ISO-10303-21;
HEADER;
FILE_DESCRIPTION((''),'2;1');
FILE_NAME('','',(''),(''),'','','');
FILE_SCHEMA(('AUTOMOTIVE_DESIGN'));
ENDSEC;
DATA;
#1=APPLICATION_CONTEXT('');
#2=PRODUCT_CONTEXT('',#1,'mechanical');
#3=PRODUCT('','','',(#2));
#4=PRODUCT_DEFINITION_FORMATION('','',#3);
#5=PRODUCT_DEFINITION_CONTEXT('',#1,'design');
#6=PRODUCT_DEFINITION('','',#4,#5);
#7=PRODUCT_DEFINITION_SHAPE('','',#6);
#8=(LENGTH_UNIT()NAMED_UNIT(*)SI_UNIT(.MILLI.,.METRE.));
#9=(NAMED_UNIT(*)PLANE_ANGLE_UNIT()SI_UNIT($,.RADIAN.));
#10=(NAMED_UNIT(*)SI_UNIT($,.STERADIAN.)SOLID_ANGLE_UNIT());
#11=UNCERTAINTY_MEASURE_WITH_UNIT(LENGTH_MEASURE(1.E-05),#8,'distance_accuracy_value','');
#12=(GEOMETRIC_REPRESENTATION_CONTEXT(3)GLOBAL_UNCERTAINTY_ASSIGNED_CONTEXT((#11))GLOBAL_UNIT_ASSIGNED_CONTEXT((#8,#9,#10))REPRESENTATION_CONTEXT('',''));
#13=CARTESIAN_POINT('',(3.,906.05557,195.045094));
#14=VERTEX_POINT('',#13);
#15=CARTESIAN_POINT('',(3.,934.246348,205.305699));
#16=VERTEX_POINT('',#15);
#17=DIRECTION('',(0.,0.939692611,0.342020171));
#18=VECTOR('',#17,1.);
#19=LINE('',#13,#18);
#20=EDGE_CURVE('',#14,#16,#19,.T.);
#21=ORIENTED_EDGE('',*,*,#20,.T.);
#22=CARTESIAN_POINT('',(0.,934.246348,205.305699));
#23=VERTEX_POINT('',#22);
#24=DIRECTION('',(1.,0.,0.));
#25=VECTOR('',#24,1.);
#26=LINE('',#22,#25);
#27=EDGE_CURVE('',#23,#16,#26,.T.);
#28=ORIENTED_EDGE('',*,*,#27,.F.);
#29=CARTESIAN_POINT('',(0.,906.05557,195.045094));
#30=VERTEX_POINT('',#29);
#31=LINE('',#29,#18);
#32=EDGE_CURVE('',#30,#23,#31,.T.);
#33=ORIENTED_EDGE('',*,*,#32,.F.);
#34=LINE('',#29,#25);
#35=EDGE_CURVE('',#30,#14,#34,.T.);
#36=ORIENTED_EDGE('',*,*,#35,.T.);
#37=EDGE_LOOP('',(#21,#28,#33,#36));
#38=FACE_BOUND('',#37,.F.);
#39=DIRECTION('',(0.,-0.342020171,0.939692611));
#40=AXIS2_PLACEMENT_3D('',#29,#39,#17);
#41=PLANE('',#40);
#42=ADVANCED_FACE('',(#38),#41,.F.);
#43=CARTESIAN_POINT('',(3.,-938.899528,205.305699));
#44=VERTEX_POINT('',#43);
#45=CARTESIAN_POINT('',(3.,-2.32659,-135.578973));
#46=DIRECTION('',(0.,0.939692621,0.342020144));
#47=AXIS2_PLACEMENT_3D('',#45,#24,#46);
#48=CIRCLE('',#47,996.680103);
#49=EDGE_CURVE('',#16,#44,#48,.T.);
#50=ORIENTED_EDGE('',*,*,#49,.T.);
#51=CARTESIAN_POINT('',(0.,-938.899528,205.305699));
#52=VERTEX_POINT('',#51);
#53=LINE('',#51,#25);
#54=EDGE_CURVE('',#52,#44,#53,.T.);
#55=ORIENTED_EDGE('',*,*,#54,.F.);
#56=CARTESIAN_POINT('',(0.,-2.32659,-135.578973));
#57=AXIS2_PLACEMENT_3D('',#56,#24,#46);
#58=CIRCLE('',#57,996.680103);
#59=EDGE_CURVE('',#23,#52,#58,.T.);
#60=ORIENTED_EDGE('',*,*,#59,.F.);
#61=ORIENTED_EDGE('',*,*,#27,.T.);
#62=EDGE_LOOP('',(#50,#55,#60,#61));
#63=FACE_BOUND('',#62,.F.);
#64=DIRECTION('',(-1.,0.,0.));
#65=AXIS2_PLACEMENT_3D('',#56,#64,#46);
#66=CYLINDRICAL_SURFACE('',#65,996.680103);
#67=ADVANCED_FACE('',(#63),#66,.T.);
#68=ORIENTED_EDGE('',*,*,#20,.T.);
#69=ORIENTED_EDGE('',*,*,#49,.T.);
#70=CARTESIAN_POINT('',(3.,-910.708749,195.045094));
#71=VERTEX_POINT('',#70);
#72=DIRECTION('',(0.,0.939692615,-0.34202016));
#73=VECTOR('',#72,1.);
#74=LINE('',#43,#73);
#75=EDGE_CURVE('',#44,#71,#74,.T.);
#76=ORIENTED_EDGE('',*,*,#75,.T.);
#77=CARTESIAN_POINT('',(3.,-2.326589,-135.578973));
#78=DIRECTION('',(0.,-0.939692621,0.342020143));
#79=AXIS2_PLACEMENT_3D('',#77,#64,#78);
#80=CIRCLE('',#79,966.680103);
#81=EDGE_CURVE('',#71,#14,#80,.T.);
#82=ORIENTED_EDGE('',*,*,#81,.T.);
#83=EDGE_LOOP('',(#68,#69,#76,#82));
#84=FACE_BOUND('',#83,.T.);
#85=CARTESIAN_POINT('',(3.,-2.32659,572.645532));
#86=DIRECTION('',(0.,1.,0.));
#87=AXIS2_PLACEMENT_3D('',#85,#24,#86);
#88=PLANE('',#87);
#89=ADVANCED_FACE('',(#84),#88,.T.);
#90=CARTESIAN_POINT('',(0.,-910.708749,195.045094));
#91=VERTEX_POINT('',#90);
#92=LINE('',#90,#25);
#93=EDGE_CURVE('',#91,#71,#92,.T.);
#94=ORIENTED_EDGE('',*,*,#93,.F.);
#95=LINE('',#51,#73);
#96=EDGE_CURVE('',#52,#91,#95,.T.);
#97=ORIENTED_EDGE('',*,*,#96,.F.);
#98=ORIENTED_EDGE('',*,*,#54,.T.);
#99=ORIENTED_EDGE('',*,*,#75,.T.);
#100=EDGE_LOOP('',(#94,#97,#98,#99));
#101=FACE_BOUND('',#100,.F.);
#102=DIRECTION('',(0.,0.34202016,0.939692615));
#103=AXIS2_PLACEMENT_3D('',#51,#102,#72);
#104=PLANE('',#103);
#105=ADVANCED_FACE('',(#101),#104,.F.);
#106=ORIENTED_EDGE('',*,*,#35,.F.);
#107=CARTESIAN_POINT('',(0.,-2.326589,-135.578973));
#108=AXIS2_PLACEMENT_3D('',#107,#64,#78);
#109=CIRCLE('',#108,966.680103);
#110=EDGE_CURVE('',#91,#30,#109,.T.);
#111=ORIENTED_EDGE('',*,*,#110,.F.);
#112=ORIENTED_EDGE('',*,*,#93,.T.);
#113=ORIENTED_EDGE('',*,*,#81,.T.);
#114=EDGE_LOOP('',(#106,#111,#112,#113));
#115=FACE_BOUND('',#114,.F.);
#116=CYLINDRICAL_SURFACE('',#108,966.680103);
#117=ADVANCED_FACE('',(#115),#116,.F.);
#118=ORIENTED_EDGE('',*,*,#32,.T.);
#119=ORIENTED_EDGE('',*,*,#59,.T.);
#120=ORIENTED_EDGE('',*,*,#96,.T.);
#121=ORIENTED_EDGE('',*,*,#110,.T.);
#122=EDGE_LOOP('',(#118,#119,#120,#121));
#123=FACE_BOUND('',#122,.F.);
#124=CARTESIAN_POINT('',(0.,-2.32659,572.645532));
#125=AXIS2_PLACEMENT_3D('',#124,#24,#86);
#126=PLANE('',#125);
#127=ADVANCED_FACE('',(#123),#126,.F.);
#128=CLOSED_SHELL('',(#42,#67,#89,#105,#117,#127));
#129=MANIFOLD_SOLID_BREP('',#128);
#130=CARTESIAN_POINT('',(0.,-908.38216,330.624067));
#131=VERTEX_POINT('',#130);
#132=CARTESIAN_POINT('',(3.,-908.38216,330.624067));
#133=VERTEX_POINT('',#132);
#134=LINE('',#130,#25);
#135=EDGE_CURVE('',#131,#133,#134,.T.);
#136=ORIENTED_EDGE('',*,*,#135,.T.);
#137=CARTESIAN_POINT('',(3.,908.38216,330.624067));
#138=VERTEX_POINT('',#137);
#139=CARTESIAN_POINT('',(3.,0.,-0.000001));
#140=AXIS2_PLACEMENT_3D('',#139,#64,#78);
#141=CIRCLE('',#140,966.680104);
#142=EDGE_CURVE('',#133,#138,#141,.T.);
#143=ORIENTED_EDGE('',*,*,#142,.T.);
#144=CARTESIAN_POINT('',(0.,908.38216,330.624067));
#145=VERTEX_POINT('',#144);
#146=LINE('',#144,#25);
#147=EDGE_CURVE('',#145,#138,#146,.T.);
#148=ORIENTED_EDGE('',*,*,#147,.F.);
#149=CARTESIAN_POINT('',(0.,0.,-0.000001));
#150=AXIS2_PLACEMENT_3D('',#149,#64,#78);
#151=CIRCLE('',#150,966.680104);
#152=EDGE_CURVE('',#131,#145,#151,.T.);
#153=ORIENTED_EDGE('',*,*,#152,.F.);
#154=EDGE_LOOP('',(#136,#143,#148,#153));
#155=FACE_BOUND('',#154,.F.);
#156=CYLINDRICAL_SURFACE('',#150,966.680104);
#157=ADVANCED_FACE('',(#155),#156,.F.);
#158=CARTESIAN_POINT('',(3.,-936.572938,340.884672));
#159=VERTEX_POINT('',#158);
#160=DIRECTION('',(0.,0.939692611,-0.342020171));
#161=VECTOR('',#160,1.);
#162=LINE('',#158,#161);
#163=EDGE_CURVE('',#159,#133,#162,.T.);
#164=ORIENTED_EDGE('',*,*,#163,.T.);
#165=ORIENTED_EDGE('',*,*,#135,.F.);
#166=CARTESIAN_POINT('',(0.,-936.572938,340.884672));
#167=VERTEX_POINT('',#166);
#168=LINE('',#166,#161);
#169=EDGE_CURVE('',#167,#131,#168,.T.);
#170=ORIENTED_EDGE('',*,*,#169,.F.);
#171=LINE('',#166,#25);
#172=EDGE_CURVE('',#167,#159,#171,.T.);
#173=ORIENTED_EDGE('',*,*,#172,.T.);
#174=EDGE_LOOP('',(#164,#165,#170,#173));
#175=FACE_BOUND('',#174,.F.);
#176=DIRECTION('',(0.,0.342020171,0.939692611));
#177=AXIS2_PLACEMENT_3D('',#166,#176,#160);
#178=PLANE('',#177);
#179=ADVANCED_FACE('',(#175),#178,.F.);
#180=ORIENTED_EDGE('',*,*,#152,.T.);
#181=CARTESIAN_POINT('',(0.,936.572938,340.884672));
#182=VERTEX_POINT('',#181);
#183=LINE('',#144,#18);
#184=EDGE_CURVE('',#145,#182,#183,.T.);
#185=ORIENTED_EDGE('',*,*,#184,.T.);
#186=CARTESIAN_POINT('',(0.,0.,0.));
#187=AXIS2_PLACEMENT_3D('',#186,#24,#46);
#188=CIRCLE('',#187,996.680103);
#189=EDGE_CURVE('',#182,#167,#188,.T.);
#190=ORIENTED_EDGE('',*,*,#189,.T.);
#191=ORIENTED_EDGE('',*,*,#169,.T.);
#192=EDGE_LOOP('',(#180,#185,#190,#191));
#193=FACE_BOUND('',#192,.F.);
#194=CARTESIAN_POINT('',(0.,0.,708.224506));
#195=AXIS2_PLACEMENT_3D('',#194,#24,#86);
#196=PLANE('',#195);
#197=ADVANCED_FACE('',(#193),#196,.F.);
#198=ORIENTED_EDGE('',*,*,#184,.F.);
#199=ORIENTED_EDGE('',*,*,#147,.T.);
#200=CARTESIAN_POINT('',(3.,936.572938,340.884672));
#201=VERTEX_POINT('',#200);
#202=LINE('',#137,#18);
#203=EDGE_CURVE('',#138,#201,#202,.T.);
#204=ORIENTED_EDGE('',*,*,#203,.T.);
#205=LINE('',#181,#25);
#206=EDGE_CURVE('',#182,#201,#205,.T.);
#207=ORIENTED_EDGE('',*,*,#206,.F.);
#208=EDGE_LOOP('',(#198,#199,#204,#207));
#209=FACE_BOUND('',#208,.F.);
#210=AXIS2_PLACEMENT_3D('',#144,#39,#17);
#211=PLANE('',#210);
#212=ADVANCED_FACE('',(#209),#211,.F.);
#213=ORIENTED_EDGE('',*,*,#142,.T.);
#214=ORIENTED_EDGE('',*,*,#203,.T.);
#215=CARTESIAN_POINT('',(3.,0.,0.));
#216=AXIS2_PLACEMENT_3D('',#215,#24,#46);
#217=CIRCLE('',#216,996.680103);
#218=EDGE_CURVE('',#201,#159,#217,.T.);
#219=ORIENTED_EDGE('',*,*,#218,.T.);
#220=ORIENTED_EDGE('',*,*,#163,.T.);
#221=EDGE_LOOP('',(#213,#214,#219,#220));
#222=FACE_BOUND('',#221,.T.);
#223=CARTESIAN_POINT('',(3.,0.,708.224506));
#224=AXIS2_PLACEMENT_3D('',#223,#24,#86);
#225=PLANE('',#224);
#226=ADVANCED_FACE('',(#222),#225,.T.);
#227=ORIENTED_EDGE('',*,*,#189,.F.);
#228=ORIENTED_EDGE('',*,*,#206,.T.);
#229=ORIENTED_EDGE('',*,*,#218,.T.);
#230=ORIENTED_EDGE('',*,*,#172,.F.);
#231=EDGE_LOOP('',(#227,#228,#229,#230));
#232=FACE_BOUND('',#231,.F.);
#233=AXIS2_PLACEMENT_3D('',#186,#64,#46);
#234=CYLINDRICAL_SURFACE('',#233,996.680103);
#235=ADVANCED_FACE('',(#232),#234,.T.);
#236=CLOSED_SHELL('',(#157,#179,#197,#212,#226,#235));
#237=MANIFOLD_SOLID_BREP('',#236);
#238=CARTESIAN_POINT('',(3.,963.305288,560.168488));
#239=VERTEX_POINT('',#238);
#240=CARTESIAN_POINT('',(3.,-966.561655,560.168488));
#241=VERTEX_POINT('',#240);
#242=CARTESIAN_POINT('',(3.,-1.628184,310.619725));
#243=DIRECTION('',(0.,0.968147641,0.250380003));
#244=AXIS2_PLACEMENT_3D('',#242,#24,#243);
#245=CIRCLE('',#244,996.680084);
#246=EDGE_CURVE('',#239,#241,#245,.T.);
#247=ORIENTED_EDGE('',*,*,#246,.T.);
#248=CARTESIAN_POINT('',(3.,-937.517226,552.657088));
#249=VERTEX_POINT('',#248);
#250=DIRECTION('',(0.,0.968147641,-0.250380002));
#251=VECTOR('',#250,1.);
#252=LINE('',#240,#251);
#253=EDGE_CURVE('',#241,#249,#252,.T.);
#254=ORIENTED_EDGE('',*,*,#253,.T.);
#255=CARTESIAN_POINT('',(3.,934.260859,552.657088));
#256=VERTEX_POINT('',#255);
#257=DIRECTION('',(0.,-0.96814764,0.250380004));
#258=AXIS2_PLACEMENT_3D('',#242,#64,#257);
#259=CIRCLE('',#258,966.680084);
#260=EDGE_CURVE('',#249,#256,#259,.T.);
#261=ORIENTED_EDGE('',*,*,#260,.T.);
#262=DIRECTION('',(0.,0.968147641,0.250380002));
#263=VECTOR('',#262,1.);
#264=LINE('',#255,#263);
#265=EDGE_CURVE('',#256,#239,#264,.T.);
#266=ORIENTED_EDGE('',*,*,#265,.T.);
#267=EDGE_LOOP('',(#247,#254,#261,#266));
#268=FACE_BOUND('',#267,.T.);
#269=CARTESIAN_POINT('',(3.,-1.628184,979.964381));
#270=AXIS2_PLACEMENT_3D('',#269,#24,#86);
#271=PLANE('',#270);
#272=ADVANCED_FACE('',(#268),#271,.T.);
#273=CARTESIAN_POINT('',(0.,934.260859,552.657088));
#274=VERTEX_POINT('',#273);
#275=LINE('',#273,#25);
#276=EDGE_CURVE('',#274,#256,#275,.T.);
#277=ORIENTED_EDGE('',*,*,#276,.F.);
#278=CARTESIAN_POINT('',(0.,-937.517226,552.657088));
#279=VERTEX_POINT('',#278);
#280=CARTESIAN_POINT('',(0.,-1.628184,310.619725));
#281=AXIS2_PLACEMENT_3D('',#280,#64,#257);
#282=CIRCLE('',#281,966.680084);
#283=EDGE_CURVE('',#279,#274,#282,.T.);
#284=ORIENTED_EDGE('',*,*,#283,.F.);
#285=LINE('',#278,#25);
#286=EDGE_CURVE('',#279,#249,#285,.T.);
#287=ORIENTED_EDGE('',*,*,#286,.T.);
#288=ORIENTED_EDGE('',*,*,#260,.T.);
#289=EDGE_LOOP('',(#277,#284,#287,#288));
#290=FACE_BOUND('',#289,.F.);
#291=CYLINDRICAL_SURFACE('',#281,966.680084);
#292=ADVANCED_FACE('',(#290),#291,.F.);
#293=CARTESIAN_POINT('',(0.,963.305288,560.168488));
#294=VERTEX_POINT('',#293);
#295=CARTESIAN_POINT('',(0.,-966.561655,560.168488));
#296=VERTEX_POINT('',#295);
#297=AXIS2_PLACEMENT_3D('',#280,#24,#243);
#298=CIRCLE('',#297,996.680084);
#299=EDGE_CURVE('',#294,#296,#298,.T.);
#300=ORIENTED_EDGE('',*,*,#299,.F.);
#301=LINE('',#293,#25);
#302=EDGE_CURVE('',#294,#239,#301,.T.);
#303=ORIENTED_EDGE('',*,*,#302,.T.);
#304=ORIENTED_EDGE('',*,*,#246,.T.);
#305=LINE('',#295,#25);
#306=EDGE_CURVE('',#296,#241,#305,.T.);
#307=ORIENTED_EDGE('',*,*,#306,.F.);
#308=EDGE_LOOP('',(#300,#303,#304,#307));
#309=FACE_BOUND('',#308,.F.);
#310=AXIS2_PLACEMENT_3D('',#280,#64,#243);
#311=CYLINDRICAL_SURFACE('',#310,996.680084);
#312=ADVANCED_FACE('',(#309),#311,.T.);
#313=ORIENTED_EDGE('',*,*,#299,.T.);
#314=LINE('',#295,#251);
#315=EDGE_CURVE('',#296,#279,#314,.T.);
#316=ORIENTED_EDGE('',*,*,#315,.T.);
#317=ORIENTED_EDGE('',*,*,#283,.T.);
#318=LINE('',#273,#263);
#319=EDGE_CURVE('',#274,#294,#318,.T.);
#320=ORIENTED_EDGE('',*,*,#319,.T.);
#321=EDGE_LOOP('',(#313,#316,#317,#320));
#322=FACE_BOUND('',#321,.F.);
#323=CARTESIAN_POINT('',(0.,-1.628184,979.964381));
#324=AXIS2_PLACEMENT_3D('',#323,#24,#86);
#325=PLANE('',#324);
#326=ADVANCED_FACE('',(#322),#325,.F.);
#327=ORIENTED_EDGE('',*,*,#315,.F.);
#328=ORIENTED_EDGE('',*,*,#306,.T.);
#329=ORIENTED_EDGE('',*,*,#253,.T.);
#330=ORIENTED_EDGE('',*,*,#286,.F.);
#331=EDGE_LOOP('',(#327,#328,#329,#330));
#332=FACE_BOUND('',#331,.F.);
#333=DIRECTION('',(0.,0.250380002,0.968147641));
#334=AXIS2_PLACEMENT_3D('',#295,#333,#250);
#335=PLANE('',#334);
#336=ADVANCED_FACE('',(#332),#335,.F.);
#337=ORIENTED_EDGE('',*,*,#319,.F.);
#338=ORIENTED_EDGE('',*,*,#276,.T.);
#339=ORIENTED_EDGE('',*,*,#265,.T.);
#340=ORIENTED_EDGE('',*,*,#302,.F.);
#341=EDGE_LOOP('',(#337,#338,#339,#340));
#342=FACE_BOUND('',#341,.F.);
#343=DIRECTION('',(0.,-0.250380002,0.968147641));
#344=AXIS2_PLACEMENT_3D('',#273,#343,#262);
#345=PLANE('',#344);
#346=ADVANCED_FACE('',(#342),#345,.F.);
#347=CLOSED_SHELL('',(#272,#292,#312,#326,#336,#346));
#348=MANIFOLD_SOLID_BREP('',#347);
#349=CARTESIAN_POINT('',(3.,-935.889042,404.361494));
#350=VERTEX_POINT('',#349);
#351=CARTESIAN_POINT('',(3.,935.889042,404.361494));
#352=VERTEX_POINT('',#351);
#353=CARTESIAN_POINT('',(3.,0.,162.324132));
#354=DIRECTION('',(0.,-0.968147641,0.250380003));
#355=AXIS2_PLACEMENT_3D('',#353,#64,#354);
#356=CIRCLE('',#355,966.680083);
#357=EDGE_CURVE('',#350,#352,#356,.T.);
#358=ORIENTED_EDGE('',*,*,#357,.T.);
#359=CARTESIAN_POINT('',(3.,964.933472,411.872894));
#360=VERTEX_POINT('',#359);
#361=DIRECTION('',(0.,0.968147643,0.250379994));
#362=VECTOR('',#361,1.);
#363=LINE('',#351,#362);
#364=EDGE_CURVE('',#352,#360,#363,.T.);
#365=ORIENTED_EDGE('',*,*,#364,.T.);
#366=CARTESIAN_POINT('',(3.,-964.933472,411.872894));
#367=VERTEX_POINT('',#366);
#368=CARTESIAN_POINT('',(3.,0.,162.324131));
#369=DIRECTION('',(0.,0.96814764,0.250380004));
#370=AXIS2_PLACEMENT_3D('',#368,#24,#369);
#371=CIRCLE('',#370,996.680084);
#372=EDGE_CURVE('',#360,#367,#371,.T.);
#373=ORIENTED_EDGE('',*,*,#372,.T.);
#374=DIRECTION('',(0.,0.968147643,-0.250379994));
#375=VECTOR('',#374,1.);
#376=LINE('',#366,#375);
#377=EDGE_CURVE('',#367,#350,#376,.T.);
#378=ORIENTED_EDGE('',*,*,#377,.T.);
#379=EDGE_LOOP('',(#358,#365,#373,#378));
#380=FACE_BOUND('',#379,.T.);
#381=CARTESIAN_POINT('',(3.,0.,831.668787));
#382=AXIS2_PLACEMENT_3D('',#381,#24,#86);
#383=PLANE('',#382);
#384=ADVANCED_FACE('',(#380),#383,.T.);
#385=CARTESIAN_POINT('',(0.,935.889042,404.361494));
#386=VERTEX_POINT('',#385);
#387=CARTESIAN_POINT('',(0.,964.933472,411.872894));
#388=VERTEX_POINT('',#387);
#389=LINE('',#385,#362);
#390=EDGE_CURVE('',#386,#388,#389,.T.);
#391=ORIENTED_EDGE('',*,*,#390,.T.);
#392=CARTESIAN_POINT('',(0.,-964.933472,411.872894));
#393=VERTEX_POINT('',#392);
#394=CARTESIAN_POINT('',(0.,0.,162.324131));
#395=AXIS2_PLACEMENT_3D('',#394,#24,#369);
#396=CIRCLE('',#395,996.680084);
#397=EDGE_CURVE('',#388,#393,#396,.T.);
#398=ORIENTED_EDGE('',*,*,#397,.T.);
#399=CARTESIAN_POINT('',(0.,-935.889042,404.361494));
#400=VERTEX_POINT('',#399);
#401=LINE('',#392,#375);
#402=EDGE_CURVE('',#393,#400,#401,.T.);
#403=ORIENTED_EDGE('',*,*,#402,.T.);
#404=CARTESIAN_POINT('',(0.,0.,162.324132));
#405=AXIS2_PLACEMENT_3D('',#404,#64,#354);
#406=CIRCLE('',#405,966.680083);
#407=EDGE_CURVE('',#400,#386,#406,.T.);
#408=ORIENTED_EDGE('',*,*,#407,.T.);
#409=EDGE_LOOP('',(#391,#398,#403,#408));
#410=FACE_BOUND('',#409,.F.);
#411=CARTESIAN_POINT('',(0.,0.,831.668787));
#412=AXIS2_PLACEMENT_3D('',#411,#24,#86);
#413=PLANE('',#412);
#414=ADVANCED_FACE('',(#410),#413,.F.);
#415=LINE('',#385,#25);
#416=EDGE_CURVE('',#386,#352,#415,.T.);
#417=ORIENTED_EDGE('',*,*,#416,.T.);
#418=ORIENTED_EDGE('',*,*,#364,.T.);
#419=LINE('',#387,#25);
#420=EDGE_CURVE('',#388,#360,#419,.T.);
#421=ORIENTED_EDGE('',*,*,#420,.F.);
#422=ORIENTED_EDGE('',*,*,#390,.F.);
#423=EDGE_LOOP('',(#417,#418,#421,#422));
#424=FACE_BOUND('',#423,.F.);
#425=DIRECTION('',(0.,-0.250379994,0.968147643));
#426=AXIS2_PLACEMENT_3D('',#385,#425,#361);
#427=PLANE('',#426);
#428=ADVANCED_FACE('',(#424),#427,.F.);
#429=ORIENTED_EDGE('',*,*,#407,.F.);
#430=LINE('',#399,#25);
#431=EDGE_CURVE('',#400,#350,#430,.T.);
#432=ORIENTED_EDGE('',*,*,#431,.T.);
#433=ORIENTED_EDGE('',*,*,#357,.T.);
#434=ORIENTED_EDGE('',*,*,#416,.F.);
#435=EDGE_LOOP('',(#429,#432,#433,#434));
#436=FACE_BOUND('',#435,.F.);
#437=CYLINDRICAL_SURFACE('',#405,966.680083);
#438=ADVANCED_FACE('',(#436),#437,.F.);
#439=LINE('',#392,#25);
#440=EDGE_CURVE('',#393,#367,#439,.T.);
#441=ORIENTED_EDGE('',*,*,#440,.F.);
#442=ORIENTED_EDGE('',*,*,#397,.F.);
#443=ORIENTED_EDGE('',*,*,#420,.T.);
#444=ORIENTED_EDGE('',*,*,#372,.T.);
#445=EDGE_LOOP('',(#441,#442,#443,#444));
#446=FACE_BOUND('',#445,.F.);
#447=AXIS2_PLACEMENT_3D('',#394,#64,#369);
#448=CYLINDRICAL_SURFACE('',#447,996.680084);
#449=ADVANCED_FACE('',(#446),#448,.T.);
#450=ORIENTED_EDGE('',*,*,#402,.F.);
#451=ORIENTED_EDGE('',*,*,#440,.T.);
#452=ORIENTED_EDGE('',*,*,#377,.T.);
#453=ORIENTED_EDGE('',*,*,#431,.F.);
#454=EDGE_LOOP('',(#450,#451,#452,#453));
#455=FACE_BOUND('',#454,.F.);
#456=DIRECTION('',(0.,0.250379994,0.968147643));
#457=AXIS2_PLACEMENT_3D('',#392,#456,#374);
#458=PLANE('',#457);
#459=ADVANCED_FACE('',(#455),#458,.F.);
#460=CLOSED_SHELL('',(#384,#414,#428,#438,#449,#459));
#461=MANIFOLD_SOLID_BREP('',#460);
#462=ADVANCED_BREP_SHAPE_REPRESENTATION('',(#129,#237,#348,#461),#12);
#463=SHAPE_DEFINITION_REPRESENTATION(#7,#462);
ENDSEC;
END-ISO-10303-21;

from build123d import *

# Parameters (mm, degrees)
F1_DEPTH = 3
F3_DEPTH = 3


with BuildPart() as f1:
    # F0 (on Right) → F1 (new body)
    with BuildSketch(Plane.YZ):
        with BuildLine():
            Line((-936.572938, 340.884672), (-908.38216, 330.624067))
            ThreePointArc((-908.38216, 330.624067), (0, 966.680103), (908.38216, 330.624067))
            Line((908.38216, 330.624067), (936.572938, 340.884672))
            ThreePointArc((936.572938, 340.884672), (0, 996.680103), (-936.572938, 340.884672))
        make_face()
        with BuildLine():
            ThreePointArc((934.246348, 205.305699), (-2.32659, 861.10113), (-938.899528, 205.305699))
            Line((-938.899528, 205.305699), (-910.708749, 195.045094))
            ThreePointArc((-910.708749, 195.045094), (-2.32659, 831.10113), (906.05557, 195.045094))
            Line((906.05557, 195.045094), (934.246348, 205.305699))
        make_face()
    extrude(amount=F1_DEPTH)


with BuildPart() as f3:
    # F2 (on Right) → F3 (new body)
    with BuildSketch(Plane.YZ):
        with BuildLine():
            Line((-964.933472, 411.872894), (-935.889042, 404.361494))
            ThreePointArc((-935.889042, 404.361494), (0, 1129.004215), (935.889042, 404.361494))
            Line((935.889042, 404.361494), (964.933472, 411.872894))
            ThreePointArc((964.933472, 411.872894), (0, 1159.004215), (-964.933472, 411.872894))
        make_face()
        with BuildLine():
            Line((-966.561655, 560.168488), (-937.517226, 552.657088))
            ThreePointArc((-937.517226, 552.657088), (-1.628183, 1277.299809), (934.260859, 552.657088))
            Line((934.260859, 552.657088), (963.305288, 560.168488))
            ThreePointArc((963.305288, 560.168488), (-1.628183, 1307.299809), (-966.561655, 560.168488))
        make_face()
    extrude(amount=F3_DEPTH)


solid = Compound([f1.part, f3.part])
